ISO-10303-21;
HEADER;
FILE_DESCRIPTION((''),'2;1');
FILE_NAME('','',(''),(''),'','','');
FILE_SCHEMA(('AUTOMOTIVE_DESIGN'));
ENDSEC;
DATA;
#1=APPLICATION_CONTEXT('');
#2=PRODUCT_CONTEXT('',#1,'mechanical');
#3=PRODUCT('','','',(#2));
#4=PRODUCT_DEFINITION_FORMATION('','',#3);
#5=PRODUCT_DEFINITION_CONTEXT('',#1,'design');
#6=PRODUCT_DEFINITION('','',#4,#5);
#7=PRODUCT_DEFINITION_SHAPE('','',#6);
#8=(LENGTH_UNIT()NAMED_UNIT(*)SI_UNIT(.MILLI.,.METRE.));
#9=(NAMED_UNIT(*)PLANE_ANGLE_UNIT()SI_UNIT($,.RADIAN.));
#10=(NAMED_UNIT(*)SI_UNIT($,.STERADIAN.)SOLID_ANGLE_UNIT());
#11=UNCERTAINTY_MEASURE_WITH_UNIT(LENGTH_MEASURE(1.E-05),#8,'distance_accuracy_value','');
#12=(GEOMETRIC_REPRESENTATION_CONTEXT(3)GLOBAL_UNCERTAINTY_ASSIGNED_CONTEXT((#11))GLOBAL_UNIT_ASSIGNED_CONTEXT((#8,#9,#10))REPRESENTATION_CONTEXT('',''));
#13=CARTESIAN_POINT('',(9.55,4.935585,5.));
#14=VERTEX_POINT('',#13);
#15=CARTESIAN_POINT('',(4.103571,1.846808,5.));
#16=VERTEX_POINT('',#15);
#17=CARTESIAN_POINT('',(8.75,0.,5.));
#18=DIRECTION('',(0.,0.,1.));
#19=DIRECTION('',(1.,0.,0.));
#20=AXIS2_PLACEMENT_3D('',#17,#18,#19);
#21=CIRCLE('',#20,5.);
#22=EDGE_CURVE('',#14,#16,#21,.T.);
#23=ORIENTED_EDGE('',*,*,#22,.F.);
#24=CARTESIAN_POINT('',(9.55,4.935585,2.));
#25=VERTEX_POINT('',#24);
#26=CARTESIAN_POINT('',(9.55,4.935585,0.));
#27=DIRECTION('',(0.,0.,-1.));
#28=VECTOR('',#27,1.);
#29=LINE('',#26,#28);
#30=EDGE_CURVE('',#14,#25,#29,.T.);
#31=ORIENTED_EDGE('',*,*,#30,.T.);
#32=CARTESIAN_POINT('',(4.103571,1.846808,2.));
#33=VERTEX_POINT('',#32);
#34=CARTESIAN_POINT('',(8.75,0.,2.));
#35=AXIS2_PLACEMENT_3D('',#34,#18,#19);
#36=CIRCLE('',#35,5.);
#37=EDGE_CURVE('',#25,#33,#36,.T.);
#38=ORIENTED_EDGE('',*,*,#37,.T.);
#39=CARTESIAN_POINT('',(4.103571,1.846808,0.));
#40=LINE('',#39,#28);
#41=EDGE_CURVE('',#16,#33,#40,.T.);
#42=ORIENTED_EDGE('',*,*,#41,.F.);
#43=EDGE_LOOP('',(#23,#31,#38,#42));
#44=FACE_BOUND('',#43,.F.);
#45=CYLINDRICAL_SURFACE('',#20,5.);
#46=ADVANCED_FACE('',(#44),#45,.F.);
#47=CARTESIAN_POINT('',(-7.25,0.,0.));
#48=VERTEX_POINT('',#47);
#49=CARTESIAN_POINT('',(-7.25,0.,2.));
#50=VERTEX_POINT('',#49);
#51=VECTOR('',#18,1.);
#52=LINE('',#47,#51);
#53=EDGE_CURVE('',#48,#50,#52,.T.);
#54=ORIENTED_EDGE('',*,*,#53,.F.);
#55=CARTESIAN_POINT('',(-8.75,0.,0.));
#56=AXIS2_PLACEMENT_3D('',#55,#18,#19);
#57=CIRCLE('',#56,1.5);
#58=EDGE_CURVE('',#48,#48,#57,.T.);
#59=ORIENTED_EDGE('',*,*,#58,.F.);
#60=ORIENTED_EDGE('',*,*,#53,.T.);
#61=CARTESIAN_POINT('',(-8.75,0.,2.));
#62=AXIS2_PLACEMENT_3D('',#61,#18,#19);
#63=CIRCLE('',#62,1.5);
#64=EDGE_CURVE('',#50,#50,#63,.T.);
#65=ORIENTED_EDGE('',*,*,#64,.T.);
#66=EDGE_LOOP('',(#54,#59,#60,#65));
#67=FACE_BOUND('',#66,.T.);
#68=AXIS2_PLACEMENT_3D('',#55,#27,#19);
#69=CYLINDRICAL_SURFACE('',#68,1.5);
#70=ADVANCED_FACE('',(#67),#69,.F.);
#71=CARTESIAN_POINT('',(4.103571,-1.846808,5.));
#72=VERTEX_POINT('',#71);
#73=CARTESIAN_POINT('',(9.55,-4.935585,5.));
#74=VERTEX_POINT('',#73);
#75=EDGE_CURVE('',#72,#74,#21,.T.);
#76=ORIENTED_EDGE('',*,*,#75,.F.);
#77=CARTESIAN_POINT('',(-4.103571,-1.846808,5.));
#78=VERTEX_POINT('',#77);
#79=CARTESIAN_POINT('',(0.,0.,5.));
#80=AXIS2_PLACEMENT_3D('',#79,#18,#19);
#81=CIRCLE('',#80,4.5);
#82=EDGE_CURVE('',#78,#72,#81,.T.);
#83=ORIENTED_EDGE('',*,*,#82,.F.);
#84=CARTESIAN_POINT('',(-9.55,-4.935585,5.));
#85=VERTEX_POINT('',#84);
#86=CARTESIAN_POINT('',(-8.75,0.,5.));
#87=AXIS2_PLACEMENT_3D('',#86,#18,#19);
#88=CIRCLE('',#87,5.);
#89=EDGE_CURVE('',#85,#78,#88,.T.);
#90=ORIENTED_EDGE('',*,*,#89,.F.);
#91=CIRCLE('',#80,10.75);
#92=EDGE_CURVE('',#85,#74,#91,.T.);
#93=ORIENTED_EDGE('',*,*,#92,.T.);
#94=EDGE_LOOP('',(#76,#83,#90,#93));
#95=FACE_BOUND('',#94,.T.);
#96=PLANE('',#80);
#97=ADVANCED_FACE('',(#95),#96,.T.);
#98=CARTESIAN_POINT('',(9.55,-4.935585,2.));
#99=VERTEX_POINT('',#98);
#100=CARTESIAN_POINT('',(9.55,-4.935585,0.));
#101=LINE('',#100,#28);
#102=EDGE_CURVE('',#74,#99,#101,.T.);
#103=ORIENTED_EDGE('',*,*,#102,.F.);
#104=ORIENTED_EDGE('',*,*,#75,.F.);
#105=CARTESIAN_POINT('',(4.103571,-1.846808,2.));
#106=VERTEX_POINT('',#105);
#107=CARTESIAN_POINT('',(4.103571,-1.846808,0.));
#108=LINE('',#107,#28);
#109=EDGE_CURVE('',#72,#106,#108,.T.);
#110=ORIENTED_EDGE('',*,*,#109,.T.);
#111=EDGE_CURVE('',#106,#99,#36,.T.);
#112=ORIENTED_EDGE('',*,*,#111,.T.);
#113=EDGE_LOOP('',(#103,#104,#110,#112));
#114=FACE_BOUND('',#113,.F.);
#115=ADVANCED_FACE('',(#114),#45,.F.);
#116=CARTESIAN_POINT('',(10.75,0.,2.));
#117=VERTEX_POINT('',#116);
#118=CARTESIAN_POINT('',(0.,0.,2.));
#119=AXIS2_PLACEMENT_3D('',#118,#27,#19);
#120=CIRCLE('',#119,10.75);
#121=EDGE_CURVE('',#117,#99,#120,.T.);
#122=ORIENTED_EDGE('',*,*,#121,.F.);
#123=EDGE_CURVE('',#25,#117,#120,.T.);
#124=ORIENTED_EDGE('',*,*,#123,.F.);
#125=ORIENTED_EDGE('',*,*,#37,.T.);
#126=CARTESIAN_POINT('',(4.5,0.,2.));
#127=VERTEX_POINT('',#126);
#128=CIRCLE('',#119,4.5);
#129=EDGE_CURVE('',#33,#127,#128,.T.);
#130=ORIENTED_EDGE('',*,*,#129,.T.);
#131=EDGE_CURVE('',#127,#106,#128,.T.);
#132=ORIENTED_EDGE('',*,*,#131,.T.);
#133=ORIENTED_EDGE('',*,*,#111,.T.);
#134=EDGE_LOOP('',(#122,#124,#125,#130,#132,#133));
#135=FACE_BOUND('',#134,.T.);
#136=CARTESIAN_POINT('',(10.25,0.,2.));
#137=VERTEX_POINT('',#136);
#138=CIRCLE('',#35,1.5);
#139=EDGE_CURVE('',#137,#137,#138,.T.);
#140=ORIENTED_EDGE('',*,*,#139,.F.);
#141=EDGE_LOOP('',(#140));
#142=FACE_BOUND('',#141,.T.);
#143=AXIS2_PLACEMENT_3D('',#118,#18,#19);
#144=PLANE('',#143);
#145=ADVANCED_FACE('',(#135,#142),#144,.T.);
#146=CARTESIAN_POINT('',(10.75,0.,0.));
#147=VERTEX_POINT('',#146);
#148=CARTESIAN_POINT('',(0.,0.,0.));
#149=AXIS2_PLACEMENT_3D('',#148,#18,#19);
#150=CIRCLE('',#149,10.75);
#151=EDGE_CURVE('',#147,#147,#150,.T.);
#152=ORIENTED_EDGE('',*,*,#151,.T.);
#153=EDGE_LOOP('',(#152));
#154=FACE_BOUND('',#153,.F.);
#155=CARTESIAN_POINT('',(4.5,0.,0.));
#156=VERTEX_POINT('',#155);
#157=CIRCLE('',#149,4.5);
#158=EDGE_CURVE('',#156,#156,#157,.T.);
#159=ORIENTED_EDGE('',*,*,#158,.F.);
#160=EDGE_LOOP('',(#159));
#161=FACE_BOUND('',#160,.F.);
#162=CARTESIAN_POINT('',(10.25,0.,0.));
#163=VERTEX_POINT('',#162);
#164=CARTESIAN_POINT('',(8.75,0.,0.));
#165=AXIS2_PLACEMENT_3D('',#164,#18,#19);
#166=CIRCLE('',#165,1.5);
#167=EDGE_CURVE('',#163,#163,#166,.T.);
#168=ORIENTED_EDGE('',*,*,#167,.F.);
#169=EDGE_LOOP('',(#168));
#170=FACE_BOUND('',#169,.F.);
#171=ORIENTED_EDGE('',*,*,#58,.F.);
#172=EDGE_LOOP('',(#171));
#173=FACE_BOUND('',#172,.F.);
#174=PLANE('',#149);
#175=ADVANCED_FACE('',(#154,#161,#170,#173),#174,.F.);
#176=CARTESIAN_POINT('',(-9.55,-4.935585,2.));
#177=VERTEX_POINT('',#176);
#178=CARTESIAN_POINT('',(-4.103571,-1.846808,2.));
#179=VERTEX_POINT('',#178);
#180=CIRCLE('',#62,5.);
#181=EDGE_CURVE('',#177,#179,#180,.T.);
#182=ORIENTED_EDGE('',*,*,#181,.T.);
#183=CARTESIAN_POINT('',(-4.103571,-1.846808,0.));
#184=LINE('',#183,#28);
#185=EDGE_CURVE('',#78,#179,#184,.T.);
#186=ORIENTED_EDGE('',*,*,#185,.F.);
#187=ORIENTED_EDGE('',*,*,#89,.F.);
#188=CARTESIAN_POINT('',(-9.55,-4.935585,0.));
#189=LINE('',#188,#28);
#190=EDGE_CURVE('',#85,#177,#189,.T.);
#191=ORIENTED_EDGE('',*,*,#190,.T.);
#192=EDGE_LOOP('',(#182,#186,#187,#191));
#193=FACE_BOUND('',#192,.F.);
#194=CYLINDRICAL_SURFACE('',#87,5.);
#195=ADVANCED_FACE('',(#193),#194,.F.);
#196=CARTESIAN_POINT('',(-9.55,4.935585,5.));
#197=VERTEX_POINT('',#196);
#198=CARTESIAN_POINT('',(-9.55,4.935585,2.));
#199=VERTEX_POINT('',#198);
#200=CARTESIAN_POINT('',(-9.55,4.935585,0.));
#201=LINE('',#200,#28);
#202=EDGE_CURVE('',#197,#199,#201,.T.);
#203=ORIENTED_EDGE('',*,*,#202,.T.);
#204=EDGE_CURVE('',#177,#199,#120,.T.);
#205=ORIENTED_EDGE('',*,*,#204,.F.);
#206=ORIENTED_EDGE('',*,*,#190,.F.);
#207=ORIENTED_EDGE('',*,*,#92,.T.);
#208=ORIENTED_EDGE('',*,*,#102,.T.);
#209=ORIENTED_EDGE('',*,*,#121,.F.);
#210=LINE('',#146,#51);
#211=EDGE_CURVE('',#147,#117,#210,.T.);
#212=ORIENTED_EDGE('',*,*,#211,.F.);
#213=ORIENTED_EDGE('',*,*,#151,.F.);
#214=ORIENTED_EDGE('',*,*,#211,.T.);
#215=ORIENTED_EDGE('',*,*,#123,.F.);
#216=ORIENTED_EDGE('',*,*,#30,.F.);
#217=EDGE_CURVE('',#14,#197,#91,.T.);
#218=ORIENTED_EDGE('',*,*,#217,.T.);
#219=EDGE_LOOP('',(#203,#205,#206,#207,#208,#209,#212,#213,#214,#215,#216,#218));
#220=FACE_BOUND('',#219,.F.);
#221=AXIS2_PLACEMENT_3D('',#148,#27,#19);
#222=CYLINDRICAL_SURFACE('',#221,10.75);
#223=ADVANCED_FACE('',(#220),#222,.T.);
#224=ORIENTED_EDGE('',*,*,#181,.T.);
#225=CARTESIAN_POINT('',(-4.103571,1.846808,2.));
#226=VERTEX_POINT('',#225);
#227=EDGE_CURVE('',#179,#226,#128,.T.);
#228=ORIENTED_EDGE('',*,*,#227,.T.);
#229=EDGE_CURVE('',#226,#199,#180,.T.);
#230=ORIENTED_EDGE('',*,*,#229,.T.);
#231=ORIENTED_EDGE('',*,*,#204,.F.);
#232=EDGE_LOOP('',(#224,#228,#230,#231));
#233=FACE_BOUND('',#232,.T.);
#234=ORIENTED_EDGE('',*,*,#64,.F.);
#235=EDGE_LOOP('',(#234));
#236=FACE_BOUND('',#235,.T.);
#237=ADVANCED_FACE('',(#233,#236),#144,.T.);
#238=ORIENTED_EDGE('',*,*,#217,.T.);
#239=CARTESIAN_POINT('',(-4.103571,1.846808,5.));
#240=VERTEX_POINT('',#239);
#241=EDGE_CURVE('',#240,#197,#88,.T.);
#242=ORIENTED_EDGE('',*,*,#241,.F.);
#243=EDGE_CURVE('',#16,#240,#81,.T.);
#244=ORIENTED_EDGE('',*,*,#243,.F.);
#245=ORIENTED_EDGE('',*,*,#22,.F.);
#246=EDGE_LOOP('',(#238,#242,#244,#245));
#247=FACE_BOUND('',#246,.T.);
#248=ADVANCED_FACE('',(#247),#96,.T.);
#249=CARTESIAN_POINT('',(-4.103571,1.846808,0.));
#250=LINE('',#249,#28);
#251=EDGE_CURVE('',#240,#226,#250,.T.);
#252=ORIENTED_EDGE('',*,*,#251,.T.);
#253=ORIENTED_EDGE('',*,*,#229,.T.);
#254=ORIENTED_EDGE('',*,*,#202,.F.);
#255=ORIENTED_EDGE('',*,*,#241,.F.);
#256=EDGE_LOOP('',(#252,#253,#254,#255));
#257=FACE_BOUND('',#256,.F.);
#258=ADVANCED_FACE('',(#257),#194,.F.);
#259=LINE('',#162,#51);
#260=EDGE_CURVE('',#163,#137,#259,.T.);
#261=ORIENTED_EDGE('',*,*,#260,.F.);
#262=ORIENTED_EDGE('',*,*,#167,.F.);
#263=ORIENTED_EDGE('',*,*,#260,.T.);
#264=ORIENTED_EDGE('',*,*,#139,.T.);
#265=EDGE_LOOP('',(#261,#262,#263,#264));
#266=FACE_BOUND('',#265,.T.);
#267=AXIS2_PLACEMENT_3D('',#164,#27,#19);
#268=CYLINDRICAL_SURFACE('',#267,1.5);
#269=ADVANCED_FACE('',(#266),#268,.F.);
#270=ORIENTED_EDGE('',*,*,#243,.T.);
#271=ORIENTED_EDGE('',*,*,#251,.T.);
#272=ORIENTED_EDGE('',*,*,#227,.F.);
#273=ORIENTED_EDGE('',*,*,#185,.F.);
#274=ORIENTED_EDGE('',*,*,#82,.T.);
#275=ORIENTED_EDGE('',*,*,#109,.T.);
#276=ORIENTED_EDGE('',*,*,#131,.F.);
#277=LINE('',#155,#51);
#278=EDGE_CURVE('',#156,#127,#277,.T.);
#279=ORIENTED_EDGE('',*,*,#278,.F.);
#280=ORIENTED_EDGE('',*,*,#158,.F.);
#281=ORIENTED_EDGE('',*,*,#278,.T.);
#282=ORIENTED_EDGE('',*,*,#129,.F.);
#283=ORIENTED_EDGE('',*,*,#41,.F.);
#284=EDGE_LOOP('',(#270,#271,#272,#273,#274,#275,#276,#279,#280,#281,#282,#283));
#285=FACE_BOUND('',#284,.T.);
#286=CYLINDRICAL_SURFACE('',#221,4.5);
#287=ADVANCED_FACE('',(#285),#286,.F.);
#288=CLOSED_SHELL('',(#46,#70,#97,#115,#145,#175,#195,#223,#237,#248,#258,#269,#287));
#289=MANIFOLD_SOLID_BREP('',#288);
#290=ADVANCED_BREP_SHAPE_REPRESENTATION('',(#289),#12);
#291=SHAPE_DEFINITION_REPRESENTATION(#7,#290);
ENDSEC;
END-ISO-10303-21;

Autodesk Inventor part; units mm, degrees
ref_plane "YZ Plane" through (0, 0, 0) normal (1, 0, 0) x (0, 1, 0)
ref_plane "XZ Plane" through (0, 0, 0) normal (0, 1, 0) x (-1, 0, 0)
ref_plane "XY Plane" through (0, 0, 0) normal (0, 0, 1) x (1, 0, 0)
sketch "Sketch1" plane through (0, 0, 0) normal (0, 0, 1) x (1, 0, 0)
  circle A0 centre (0, 0) radius 10.75
  circle A1 centre (0, 0) radius 4.5
  line L0 (-8.75, 0) -> (8.75, 0) construction
  circle A2 centre (-8.75, 0) radius 1.5
  circle A3 centre (8.75, 0) radius 1.5
  dimension "d0" = 21.5
  dimension "d1" = 9
  dimension "d2" = 3
  dimension "d3" = 3
  dimension "d4" = 17.5
extrude "Extrusion1" add sketch "Sketch1" along normal blind 5
sketch "Sketch2" plane through (0, 0, 5) normal (0, 0, 1) x (1, 0, 0)
  circle A0 centre (-8.75, 0) radius 1.5 projected
  circle A1 centre (8.75, 0) radius 1.5 projected
  circle A2 centre (-8.75, 0) radius 5
  circle A3 centre (8.75, 0) radius 5
  point P0 (0, 0)
  dimension "d7" = 10
  dimension "d8" = 10
extrude "Extrusion2" cut sketch "Sketch2" against normal blind 3
properties part number "AA026" material "ABS Plastic"
